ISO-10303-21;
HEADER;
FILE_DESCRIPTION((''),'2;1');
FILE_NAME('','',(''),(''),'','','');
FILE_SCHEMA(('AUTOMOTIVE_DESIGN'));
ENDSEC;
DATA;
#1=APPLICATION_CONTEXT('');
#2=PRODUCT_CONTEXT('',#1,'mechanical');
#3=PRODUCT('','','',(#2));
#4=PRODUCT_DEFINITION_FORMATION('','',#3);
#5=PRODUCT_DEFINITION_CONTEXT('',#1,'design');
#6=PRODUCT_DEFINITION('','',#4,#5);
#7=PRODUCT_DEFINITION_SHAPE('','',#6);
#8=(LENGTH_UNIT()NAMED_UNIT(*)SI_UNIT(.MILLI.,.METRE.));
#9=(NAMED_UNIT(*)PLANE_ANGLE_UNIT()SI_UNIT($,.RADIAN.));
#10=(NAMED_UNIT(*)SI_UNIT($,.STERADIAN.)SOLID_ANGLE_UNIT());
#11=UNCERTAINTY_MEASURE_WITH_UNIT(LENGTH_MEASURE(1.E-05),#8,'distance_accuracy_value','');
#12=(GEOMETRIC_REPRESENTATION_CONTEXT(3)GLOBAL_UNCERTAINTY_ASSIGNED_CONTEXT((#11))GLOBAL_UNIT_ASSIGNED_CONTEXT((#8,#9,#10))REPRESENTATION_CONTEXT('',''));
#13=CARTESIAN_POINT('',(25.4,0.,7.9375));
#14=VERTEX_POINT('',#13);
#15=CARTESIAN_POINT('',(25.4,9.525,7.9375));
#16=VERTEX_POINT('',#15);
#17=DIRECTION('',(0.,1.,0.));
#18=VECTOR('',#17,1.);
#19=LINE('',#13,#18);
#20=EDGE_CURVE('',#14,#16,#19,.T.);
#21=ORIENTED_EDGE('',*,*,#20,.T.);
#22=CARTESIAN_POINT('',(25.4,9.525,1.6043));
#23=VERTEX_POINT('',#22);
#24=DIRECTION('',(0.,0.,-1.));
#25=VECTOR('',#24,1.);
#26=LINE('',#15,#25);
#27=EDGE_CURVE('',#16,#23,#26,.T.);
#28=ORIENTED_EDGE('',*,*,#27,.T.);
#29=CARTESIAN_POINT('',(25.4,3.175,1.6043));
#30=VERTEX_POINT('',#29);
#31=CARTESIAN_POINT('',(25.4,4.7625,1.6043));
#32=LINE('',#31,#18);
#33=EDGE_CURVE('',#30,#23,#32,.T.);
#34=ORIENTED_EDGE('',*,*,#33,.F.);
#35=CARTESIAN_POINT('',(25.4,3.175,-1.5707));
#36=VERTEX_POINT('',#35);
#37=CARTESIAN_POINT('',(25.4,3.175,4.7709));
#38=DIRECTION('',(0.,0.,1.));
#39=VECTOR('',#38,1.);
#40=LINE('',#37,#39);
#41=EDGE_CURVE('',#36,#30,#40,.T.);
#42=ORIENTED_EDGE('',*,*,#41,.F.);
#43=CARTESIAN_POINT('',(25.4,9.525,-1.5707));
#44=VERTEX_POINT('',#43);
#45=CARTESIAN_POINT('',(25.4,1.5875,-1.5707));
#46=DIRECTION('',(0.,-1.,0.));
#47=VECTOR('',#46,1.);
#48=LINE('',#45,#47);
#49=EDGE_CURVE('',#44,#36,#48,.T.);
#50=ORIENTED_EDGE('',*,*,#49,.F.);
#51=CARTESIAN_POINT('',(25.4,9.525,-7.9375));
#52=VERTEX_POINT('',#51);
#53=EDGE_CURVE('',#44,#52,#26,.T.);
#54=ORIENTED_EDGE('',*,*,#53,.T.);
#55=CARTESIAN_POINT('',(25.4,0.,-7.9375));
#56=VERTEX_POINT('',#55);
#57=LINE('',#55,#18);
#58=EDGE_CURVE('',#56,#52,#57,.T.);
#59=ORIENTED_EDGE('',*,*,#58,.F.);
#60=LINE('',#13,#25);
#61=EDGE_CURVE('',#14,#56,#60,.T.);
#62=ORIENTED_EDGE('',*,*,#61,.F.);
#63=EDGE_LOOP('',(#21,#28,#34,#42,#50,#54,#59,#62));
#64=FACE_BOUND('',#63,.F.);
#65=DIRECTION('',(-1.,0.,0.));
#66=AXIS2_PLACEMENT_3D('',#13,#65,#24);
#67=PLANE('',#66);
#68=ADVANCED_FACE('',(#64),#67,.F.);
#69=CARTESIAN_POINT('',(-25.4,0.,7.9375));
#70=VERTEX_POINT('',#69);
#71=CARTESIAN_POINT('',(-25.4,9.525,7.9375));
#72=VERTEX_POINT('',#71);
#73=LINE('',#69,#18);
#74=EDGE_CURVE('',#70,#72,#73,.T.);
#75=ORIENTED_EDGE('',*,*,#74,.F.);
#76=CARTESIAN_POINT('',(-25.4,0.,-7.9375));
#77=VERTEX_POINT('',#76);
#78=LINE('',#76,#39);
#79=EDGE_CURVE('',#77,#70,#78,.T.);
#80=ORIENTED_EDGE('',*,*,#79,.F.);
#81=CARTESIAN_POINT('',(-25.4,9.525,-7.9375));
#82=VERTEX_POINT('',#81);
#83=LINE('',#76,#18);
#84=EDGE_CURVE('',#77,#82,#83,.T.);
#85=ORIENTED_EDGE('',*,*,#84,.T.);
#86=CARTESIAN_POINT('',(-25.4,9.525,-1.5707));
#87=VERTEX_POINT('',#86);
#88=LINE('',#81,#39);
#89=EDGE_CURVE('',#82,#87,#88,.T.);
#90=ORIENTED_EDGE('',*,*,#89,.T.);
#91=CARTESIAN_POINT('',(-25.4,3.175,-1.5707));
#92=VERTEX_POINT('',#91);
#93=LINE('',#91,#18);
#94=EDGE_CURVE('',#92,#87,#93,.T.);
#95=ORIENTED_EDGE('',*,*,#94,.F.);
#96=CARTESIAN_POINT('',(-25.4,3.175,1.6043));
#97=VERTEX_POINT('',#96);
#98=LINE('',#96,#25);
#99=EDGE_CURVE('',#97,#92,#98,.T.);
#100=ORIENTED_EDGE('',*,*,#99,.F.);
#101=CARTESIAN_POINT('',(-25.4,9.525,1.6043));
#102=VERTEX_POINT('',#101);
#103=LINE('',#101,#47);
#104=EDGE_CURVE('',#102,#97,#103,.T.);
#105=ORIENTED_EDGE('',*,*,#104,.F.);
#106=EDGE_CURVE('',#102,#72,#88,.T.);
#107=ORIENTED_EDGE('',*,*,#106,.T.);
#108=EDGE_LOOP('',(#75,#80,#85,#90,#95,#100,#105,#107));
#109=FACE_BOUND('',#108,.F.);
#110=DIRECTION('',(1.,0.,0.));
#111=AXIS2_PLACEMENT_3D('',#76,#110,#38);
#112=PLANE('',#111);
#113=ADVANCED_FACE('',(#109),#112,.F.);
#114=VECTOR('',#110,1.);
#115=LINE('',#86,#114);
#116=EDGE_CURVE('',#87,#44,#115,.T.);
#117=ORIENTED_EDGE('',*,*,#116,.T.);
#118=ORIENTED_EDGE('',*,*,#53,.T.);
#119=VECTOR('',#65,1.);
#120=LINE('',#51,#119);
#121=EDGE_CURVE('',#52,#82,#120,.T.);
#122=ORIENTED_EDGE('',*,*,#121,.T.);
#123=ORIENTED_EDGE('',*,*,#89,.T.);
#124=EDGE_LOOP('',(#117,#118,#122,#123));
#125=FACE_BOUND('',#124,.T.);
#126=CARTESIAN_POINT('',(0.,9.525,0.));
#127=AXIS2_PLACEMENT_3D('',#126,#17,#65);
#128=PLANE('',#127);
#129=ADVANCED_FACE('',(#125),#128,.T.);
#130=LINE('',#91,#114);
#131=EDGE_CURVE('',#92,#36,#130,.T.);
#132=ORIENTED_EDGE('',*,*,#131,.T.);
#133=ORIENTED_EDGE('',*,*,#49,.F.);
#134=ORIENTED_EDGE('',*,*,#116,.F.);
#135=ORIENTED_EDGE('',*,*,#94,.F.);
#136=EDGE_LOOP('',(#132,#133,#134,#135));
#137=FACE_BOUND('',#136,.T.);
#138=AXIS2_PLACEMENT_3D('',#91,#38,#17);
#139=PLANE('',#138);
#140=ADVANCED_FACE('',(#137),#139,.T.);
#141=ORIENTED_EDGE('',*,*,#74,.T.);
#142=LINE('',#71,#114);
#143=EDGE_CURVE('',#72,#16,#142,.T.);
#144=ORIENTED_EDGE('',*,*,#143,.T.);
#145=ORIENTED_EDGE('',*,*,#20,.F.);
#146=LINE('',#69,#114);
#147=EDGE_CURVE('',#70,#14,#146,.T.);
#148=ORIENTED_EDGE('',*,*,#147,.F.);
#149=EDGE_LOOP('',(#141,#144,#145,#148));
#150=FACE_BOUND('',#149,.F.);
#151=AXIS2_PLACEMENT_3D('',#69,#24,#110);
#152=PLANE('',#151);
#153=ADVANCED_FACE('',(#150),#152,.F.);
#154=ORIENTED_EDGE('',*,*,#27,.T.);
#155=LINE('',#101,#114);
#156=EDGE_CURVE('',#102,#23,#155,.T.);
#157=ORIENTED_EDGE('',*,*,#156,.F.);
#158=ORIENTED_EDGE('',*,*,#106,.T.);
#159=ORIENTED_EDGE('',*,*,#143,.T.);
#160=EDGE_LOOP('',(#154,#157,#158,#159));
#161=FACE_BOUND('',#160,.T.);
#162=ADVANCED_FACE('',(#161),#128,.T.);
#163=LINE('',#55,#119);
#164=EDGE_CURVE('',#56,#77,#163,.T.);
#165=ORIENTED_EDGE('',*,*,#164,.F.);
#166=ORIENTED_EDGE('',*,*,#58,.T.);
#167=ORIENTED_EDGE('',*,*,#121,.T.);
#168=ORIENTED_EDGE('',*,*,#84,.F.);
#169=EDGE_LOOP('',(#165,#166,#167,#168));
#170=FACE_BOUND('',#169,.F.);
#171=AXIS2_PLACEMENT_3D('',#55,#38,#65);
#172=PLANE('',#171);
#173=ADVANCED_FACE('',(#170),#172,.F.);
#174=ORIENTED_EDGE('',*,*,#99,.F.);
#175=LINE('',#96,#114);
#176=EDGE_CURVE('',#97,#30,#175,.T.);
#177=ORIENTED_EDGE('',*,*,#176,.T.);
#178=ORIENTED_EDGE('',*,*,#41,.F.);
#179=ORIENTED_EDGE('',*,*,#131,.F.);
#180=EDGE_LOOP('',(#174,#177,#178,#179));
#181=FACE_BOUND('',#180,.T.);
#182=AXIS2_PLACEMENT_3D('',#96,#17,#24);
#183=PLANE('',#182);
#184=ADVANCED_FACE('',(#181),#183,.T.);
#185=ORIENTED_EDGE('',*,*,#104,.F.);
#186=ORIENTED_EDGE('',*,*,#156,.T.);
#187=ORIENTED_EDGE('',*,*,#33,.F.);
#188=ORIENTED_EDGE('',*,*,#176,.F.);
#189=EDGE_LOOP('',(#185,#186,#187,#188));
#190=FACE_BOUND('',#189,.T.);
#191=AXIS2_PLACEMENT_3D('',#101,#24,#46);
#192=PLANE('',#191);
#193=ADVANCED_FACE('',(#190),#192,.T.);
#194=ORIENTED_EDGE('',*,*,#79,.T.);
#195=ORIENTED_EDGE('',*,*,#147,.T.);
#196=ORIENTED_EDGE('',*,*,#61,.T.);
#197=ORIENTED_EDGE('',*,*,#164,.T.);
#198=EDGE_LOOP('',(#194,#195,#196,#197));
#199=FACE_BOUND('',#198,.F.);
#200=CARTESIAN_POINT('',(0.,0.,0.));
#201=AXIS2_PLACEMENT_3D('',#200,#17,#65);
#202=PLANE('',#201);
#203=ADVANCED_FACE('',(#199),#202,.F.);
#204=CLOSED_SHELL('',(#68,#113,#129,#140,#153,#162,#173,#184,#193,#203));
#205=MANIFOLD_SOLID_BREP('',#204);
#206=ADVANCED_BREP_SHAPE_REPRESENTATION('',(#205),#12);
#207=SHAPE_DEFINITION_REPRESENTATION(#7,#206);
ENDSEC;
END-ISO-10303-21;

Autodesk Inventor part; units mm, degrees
ref_plane "YZ Plane" through (0, 0, 0) normal (1, 0, 0) x (0, 1, 0)
ref_plane "XZ Plane" through (0, 0, 0) normal (0, 1, 0) x (-1, 0, 0)
ref_plane "XY Plane" through (0, 0, 0) normal (0, 0, 1) x (1, 0, 0)
sketch "Sketch1" plane through (0, 0, 0) normal (0, 1, 0) x (-1, 0, 0)
  line L0 (-25.4, -7.9375) -> (25.4, -7.9375)
  line L1 (25.4, -7.9375) -> (25.4, 7.9375)
  line L2 (25.4, 7.9375) -> (-25.4, 7.9375)
  line L3 (-25.4, 7.9375) -> (-25.4, -7.9375)
  line L4 (-25.4, -7.9375) -> (25.4, 7.9375) construction
  line L5 (25.4, -7.9375) -> (-25.4, 7.9375) construction
  point P0 (0, 0)
  dimension "d0" = 50.8
  dimension "d1" = 15.875
extrude "Extrusion1" add sketch "Sketch1" along normal blind 9.525
sketch "Sketch2" plane through (-25.4, 0, -7.9375) normal (-1, 0, 0) x (0, 0, 1)
  line L0 (0, 9.525) -> (15.875, 9.525) projected
  line L1 (9.5418, 3.175) -> (6.3668, 3.175)
  line L2 (6.3668, 3.175) -> (6.3668, 9.525)
  line L3 (6.3668, 9.525) -> (9.5418, 9.525)
  line L4 (9.5418, 9.525) -> (9.5418, 3.175)
  line L5 (9.5418, 3.175) -> (6.3668, 9.525) construction
  line L6 (6.3668, 3.175) -> (9.5418, 9.525) construction
  point P0 (7.9375, 0)
  point P1 (7.9543, 6.35)
  dimension "d4" = 3.175
  dimension "d5" = 6.35
extrude "Extrusion2" cut sketch "Sketch2" against normal up to next
properties part number "Test1"
